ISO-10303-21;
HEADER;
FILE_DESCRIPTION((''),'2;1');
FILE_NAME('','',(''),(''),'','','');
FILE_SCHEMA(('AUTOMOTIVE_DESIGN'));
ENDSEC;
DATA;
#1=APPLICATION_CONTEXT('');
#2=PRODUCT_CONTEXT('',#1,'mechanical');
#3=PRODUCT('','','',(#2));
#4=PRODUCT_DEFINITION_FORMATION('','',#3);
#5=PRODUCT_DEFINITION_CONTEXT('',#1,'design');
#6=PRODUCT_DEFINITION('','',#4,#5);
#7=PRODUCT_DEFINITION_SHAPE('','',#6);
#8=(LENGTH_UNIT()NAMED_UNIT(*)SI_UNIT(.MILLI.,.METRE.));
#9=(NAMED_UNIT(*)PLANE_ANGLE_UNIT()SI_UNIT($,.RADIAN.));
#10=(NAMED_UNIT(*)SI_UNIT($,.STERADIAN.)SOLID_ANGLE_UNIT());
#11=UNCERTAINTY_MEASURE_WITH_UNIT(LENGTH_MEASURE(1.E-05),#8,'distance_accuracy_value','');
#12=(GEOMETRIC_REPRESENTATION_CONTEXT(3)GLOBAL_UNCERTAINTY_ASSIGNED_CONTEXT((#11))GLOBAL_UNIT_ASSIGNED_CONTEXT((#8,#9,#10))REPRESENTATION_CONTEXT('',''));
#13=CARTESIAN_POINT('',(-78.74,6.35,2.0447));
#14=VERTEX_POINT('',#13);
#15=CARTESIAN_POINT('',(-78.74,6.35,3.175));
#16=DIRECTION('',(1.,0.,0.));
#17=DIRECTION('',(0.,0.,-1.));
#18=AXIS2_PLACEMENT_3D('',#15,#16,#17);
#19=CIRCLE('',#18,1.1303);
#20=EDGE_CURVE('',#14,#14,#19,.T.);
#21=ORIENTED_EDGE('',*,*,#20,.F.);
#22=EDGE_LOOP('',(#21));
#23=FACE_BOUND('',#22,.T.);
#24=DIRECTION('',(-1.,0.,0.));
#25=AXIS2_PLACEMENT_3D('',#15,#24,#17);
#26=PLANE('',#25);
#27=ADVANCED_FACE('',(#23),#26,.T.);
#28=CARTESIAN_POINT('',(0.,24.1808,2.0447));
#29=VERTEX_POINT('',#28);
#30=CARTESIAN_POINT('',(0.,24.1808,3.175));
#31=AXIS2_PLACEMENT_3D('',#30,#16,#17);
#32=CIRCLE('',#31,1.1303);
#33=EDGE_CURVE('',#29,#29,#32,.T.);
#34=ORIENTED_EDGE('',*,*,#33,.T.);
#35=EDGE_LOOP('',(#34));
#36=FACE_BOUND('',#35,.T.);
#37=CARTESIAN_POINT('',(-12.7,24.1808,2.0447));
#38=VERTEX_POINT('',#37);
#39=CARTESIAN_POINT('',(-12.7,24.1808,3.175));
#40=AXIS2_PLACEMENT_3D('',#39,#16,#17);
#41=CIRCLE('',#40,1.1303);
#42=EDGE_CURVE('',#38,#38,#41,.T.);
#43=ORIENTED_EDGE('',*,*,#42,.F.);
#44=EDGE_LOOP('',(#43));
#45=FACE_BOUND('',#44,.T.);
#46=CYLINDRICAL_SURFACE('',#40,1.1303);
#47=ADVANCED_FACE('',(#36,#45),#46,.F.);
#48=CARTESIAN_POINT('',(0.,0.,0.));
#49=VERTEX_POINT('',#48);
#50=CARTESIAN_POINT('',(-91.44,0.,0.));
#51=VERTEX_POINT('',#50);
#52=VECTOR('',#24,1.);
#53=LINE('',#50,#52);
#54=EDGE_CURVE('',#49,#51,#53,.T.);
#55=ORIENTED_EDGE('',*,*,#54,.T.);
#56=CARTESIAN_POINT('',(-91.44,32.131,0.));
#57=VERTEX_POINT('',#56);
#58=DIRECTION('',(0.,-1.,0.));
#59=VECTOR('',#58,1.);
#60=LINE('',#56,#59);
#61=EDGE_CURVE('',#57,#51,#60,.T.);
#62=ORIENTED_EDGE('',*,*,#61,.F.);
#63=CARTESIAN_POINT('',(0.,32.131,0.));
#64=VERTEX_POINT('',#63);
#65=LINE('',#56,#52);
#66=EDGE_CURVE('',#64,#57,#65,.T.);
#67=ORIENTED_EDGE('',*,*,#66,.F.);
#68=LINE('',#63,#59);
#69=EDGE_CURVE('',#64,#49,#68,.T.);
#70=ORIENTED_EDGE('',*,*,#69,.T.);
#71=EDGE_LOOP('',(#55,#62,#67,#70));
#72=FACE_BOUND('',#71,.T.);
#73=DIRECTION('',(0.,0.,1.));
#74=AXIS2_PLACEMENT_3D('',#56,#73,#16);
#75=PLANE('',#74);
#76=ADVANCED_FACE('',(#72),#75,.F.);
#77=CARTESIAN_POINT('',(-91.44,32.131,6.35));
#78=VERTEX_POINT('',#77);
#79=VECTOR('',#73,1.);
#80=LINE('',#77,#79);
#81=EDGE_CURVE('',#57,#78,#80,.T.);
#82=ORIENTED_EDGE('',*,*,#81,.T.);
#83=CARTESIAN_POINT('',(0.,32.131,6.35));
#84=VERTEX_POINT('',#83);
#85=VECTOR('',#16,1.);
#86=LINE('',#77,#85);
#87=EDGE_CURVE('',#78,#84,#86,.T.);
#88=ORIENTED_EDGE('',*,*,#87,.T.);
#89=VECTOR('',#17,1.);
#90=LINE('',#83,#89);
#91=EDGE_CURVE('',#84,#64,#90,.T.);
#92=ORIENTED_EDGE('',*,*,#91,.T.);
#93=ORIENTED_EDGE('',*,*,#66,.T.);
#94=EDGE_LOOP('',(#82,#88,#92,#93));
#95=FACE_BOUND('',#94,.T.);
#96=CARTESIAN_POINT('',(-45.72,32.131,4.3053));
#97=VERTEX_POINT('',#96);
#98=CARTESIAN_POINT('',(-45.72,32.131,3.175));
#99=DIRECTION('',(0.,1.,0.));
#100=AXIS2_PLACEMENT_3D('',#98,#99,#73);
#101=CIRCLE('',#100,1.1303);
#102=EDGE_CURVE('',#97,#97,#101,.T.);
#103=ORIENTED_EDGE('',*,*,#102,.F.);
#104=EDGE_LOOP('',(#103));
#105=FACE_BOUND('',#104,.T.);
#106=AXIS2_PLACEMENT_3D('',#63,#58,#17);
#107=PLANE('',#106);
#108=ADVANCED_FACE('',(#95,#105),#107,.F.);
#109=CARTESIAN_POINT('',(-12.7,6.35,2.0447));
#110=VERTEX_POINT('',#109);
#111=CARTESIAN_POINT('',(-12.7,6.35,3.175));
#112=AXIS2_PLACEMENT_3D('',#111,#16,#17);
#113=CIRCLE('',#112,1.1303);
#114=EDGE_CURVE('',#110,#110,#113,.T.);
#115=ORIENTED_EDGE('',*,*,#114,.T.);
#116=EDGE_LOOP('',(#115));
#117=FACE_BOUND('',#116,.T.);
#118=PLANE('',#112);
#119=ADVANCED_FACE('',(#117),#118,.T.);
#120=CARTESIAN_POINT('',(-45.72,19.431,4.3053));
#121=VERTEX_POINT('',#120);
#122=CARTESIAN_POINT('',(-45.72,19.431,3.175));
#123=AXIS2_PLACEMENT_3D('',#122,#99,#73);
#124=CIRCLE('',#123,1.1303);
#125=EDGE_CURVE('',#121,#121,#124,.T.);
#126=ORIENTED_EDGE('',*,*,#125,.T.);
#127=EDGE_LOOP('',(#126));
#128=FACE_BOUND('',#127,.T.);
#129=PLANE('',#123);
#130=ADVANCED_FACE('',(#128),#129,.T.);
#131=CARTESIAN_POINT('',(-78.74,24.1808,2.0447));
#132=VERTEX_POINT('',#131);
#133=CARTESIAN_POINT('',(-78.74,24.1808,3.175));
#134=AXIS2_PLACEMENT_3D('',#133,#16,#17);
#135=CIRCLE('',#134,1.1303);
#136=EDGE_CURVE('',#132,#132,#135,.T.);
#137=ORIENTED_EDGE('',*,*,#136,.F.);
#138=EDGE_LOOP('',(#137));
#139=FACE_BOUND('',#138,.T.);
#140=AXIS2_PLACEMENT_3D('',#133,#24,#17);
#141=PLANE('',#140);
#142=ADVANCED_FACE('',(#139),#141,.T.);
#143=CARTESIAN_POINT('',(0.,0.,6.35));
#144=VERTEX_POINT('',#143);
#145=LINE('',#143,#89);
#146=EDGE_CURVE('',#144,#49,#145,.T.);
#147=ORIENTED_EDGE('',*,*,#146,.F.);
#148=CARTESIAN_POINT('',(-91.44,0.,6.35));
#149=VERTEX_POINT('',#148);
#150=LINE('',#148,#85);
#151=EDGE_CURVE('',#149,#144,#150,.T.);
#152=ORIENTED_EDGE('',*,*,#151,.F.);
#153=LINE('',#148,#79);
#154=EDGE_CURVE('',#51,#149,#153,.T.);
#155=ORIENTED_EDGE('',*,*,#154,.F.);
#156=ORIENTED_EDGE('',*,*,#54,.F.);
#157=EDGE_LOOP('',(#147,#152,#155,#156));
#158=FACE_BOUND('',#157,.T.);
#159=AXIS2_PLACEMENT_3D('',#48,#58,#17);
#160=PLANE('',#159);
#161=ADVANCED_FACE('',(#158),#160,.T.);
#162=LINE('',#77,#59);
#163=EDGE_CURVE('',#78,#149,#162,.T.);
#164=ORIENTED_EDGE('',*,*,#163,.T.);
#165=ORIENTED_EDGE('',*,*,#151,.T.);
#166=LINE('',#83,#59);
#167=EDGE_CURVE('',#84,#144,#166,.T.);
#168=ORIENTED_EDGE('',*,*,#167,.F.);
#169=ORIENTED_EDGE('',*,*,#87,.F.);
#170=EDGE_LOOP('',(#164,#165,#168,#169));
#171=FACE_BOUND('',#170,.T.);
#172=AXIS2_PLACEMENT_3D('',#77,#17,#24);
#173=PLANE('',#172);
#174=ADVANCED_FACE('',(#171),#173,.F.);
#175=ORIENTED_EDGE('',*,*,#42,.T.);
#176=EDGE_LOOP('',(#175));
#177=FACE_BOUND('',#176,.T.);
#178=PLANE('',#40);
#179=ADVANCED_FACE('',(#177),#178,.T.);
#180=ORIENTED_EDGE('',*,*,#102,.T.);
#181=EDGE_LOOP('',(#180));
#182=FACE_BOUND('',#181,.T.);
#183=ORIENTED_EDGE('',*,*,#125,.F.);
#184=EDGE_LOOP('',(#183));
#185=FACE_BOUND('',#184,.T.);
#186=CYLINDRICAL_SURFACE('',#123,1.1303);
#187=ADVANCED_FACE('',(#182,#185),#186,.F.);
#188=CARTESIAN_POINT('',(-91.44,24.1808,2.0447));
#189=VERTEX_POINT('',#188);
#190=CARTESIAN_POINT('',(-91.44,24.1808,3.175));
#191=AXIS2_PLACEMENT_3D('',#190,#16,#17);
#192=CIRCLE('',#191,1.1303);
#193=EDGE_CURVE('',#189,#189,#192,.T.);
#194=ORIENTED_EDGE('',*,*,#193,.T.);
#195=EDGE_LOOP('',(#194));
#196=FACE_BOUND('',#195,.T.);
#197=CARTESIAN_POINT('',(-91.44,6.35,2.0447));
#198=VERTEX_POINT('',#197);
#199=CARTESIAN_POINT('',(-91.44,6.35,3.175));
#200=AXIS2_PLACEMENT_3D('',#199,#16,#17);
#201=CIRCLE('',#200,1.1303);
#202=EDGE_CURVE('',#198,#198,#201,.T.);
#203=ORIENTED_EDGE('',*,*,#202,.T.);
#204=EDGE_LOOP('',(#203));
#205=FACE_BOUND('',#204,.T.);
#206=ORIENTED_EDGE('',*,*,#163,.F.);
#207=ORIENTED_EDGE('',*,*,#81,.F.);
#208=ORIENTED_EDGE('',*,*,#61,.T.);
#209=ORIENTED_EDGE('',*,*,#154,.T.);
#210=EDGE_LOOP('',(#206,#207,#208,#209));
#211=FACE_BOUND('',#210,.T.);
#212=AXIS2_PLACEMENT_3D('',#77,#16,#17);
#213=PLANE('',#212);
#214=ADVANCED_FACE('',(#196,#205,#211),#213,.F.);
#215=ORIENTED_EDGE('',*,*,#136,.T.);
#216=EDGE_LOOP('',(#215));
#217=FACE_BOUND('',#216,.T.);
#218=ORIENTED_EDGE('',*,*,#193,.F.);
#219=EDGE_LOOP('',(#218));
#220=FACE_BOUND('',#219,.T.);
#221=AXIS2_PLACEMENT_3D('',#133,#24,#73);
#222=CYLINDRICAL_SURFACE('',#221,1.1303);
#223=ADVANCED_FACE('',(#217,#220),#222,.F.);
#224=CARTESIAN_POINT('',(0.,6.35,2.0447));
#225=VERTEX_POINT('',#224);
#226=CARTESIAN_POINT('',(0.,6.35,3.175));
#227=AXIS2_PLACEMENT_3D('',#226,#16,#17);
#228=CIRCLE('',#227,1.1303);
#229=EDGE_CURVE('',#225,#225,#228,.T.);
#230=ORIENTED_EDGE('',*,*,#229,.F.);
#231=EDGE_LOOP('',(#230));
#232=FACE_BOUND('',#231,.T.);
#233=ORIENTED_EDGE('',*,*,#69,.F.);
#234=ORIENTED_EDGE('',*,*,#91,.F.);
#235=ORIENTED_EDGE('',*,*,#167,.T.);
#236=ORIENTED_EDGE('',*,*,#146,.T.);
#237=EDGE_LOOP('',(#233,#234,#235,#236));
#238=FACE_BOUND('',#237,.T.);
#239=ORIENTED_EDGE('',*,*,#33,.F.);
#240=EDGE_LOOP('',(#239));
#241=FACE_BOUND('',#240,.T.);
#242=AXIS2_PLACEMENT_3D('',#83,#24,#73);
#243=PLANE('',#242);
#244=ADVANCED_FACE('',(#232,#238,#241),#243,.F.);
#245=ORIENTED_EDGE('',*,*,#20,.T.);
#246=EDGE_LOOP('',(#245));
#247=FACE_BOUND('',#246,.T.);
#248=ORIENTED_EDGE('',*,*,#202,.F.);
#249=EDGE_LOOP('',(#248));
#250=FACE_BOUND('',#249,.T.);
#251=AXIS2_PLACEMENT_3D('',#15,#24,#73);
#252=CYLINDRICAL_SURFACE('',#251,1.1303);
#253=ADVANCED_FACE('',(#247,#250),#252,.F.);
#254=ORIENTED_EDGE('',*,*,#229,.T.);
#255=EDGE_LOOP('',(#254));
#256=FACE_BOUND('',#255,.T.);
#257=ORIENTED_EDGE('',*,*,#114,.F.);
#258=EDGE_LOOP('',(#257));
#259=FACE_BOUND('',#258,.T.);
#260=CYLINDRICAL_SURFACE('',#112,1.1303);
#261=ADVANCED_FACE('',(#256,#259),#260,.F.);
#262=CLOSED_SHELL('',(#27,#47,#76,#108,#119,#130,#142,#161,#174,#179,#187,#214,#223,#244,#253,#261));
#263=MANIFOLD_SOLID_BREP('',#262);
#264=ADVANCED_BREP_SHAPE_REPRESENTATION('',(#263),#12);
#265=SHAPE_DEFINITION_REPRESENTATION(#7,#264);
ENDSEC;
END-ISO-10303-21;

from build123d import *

# Parameters (mm, degrees)
SKETCH1_W           = 91.44
SKETCH1_H           = 6.35
BOSS_EXTRUDE1_DEPTH = 32.131
SKETCH2_R           = 1.1303
CUT_EXTRUDE1_DEPTH  = 12.7
SKETCH3_R           = 1.1303
CUT_EXTRUDE2_DEPTH  = 12.7


with BuildPart() as part:
    # Sketch1 → Boss-Extrude1 (new body)
    with BuildSketch(Plane(origin=(0, 0, 0), x_dir=(1, 0, 0), z_dir=(0, 1, 0))):
        with Locations((-45.72, -3.175)):
            Rectangle(SKETCH1_W, SKETCH1_H)
    extrude(amount=BOSS_EXTRUDE1_DEPTH)

    # Sketch2 → Cut-Extrude1 (cut)
    with BuildSketch(Plane(origin=(0, 0, 0), x_dir=(0, 0, -1), z_dir=(1, 0, 0))):
        with Locations((-3.175, 24.1808)):
            Circle(SKETCH2_R)
        with Locations((-3.175, 6.35)):
            Circle(SKETCH2_R)
    cut_extrude1 = extrude(amount=-CUT_EXTRUDE1_DEPTH, mode=Mode.SUBTRACT)

    # Mirror2: Cut-Extrude1 across plane
    add(cut_extrude1.mirror(Plane(origin=(-45.72, 0, 0), x_dir=(0, 0, 1), z_dir=(1, 0, 0))), mode=Mode.SUBTRACT)

    # Sketch3 → Cut-Extrude2 (cut)
    with BuildSketch(Plane(origin=(0, 32.131, 0), x_dir=(1, 0, 0), z_dir=(0, 1, 0))):
        with Locations((-45.72, -3.175)):
            Circle(SKETCH3_R)
    extrude(amount=-CUT_EXTRUDE2_DEPTH, mode=Mode.SUBTRACT)


solid = part.part
